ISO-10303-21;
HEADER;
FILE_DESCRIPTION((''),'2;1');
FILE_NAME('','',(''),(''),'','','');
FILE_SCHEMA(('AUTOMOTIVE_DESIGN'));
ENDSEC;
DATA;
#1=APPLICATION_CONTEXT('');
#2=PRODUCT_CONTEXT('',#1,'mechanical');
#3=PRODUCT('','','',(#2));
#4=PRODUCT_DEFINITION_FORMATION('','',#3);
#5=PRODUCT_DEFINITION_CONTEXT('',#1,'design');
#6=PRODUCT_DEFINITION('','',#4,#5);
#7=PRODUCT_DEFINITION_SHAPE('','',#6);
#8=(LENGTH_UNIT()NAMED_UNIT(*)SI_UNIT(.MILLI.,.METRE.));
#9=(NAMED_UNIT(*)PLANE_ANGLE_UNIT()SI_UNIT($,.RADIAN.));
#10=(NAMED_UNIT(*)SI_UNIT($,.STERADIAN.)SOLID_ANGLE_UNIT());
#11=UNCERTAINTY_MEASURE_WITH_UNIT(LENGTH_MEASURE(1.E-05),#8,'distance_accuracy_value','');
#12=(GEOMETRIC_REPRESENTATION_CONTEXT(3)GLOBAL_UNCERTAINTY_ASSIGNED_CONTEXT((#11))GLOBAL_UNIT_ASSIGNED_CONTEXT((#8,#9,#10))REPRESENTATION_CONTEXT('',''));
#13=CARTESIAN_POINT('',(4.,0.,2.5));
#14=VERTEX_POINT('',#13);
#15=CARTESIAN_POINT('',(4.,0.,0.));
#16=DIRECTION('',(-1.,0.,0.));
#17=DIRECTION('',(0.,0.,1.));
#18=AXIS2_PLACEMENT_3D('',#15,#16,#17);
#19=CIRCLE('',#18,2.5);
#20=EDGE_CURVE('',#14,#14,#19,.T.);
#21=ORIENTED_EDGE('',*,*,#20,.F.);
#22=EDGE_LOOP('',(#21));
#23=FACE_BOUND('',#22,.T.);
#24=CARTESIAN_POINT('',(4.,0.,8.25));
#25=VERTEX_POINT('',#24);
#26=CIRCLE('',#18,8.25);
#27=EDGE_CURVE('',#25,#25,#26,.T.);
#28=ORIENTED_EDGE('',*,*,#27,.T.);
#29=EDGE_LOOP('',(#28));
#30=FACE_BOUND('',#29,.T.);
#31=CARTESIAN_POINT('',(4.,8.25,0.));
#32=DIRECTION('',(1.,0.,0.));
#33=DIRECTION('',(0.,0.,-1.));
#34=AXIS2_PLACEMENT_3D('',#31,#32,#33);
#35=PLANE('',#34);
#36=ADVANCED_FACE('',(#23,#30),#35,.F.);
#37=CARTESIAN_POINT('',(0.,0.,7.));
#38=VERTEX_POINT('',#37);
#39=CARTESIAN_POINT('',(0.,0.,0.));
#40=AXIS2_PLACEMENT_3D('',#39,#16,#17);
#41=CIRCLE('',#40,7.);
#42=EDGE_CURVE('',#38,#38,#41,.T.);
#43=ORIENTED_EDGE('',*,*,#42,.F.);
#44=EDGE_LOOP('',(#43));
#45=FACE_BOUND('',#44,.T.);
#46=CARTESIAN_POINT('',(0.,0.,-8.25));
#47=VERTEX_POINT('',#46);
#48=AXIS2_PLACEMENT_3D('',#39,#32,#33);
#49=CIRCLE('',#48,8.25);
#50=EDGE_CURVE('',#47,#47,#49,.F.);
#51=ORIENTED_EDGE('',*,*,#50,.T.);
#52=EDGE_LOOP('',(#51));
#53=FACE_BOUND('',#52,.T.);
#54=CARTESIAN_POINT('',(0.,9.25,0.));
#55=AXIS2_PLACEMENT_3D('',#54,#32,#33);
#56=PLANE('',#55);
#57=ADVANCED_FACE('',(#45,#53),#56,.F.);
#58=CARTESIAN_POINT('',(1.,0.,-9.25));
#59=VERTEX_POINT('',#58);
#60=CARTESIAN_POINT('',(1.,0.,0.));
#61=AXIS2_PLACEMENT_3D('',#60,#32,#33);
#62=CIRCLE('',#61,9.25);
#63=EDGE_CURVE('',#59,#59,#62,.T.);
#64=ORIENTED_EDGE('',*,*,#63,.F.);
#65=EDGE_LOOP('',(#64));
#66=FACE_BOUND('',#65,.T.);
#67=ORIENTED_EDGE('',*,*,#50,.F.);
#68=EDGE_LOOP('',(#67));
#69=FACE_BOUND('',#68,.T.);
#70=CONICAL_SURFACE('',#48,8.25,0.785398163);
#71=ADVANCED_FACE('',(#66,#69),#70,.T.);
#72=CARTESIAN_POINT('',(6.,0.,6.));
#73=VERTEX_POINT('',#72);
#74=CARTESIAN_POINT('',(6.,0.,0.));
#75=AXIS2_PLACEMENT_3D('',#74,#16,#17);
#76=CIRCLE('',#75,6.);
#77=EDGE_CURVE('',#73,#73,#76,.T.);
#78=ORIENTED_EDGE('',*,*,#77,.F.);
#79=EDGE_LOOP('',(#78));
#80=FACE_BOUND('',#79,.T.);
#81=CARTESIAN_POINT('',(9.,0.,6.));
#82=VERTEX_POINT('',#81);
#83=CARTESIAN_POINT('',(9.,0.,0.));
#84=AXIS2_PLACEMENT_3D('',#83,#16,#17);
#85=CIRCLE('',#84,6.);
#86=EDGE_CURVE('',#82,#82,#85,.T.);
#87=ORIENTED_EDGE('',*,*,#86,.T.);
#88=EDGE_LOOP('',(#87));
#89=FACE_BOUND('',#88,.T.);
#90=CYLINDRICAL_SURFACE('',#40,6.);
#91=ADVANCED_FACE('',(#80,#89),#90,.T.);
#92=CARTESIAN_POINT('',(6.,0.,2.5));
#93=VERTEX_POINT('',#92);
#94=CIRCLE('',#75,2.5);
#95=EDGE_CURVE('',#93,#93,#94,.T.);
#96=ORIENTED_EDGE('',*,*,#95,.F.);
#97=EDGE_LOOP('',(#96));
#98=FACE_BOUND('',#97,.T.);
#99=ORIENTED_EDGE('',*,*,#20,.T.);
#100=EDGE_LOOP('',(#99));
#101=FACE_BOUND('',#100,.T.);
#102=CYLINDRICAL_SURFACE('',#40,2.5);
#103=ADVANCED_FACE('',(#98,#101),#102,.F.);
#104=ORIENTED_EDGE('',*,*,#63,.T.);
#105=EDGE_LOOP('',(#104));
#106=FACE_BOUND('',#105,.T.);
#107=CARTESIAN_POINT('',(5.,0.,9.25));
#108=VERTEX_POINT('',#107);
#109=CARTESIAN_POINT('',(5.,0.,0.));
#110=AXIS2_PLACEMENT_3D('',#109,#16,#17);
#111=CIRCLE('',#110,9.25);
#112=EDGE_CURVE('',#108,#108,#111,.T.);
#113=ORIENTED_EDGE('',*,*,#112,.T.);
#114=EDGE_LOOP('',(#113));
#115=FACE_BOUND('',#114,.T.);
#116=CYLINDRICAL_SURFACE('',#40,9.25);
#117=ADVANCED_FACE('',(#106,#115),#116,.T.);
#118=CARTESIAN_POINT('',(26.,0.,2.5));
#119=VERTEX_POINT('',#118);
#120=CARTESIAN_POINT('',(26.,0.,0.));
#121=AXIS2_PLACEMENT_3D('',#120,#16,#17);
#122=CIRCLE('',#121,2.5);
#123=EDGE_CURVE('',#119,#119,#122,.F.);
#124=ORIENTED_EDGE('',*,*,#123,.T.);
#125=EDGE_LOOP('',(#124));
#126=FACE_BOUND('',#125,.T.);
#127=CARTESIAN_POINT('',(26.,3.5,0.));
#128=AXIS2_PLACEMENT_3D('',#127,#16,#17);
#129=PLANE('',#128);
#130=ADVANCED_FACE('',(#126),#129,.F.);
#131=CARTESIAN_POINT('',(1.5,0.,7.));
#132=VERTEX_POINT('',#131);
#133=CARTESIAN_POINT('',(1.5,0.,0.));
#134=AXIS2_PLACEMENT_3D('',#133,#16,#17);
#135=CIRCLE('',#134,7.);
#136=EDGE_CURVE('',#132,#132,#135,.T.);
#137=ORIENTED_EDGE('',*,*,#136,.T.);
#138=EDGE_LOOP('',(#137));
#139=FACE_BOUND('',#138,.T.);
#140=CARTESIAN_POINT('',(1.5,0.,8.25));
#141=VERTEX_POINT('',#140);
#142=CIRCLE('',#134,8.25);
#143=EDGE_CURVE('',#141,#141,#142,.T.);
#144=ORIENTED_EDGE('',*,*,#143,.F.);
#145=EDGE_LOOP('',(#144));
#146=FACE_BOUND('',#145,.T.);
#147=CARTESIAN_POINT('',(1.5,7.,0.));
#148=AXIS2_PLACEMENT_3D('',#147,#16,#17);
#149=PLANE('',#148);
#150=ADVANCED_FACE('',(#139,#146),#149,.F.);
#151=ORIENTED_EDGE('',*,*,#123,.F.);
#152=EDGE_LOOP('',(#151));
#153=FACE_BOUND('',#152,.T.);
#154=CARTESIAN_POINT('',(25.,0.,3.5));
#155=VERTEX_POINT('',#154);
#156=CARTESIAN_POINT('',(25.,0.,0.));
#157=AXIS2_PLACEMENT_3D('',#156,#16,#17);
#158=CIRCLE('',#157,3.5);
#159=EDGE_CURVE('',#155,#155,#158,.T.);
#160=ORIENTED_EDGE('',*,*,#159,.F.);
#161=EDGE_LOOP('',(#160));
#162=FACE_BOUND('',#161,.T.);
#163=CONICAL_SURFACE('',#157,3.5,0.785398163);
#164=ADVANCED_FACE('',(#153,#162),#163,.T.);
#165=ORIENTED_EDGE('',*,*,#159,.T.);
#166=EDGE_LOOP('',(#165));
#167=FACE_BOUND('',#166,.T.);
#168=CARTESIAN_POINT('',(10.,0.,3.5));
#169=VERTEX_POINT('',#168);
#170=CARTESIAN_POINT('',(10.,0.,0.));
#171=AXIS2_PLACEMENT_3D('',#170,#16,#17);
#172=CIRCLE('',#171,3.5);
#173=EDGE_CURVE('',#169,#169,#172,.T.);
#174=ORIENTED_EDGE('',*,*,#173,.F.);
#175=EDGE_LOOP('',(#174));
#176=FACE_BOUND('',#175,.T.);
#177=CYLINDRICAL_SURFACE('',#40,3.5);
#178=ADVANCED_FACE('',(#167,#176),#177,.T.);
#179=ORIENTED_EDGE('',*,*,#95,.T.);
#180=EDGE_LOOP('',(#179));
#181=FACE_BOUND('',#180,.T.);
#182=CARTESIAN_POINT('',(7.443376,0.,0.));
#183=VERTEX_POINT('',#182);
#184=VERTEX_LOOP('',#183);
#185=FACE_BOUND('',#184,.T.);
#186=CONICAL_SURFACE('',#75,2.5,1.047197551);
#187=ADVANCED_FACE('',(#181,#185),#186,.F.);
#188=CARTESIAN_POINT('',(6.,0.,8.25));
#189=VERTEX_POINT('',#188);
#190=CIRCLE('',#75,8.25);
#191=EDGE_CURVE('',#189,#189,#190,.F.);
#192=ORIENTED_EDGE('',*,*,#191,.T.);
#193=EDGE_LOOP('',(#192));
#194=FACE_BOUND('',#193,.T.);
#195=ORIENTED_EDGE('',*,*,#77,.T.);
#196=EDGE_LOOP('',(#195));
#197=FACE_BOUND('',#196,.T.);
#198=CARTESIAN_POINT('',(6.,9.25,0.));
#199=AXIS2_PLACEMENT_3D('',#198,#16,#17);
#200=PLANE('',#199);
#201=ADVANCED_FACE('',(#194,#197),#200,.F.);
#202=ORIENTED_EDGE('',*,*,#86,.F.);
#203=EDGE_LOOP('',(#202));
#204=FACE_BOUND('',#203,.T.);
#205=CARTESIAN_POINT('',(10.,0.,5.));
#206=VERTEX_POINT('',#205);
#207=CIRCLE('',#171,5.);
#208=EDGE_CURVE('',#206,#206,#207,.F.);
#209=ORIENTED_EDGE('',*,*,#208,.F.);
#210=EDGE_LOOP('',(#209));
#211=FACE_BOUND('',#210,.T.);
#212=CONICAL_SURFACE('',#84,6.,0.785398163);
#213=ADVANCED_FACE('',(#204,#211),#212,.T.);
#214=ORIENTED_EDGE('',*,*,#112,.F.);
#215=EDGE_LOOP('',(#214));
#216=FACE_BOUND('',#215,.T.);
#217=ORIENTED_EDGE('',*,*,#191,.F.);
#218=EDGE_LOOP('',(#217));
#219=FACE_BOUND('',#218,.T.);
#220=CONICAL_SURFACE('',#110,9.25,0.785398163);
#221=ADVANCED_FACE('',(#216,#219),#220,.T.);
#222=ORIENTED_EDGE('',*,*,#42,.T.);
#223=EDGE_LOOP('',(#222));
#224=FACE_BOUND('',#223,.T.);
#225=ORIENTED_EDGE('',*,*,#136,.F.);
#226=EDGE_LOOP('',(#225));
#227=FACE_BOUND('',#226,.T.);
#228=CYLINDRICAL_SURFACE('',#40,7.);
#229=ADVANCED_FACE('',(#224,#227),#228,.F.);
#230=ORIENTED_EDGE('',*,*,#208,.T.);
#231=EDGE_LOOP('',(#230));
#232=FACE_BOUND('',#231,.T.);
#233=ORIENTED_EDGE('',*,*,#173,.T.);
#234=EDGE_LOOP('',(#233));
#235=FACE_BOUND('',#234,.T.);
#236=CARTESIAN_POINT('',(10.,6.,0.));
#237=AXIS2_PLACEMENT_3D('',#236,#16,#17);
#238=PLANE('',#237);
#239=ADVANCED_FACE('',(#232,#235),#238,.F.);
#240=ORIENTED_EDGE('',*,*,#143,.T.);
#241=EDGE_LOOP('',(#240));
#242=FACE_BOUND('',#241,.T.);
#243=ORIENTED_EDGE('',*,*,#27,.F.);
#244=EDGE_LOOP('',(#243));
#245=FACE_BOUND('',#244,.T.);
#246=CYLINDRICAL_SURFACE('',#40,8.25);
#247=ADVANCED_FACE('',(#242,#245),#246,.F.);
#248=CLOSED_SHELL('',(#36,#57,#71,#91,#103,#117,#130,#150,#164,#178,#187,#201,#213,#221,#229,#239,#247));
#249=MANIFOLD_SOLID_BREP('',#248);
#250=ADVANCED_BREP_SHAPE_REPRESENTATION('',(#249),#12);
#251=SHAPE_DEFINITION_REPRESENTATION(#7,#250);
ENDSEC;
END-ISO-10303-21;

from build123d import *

# Parameters (mm, degrees)
CHAMFER_1_SIZE = 1


with BuildPart() as part:
    # Эскиз1 → Повернуть1 (revolve)
    with BuildSketch(Plane.XY, mode=Mode.PRIVATE) as revolve_1_sk:
        Polygon((1.5, 8.25), (4, 8.25), (4, 2.5), (6, 2.5), (7.443375673, 0), (26, 0), (26, 3.5), (10, 3.5), (10, 6), (6, 6), (6, 9.25), (0, 9.25), (0, 7), (1.5, 7), align=None)
    revolve(revolve_1_sk.sketch.rotate(Axis((0, 0, 0), (1, 0, 0)), 90), axis=Axis((0, 0, 0), (1, 0, 0)))

    # Фаска1
    chamfer_1_edges = [part.edges().sort_by_distance(p)[0] for p in [
        (0, 0, -9.25),
        (6, 0, -9.25),
        (10, 0, -6),
        (26, 0, -3.5),
    ]]
    chamfer(chamfer_1_edges, length=CHAMFER_1_SIZE)


solid = part.part
